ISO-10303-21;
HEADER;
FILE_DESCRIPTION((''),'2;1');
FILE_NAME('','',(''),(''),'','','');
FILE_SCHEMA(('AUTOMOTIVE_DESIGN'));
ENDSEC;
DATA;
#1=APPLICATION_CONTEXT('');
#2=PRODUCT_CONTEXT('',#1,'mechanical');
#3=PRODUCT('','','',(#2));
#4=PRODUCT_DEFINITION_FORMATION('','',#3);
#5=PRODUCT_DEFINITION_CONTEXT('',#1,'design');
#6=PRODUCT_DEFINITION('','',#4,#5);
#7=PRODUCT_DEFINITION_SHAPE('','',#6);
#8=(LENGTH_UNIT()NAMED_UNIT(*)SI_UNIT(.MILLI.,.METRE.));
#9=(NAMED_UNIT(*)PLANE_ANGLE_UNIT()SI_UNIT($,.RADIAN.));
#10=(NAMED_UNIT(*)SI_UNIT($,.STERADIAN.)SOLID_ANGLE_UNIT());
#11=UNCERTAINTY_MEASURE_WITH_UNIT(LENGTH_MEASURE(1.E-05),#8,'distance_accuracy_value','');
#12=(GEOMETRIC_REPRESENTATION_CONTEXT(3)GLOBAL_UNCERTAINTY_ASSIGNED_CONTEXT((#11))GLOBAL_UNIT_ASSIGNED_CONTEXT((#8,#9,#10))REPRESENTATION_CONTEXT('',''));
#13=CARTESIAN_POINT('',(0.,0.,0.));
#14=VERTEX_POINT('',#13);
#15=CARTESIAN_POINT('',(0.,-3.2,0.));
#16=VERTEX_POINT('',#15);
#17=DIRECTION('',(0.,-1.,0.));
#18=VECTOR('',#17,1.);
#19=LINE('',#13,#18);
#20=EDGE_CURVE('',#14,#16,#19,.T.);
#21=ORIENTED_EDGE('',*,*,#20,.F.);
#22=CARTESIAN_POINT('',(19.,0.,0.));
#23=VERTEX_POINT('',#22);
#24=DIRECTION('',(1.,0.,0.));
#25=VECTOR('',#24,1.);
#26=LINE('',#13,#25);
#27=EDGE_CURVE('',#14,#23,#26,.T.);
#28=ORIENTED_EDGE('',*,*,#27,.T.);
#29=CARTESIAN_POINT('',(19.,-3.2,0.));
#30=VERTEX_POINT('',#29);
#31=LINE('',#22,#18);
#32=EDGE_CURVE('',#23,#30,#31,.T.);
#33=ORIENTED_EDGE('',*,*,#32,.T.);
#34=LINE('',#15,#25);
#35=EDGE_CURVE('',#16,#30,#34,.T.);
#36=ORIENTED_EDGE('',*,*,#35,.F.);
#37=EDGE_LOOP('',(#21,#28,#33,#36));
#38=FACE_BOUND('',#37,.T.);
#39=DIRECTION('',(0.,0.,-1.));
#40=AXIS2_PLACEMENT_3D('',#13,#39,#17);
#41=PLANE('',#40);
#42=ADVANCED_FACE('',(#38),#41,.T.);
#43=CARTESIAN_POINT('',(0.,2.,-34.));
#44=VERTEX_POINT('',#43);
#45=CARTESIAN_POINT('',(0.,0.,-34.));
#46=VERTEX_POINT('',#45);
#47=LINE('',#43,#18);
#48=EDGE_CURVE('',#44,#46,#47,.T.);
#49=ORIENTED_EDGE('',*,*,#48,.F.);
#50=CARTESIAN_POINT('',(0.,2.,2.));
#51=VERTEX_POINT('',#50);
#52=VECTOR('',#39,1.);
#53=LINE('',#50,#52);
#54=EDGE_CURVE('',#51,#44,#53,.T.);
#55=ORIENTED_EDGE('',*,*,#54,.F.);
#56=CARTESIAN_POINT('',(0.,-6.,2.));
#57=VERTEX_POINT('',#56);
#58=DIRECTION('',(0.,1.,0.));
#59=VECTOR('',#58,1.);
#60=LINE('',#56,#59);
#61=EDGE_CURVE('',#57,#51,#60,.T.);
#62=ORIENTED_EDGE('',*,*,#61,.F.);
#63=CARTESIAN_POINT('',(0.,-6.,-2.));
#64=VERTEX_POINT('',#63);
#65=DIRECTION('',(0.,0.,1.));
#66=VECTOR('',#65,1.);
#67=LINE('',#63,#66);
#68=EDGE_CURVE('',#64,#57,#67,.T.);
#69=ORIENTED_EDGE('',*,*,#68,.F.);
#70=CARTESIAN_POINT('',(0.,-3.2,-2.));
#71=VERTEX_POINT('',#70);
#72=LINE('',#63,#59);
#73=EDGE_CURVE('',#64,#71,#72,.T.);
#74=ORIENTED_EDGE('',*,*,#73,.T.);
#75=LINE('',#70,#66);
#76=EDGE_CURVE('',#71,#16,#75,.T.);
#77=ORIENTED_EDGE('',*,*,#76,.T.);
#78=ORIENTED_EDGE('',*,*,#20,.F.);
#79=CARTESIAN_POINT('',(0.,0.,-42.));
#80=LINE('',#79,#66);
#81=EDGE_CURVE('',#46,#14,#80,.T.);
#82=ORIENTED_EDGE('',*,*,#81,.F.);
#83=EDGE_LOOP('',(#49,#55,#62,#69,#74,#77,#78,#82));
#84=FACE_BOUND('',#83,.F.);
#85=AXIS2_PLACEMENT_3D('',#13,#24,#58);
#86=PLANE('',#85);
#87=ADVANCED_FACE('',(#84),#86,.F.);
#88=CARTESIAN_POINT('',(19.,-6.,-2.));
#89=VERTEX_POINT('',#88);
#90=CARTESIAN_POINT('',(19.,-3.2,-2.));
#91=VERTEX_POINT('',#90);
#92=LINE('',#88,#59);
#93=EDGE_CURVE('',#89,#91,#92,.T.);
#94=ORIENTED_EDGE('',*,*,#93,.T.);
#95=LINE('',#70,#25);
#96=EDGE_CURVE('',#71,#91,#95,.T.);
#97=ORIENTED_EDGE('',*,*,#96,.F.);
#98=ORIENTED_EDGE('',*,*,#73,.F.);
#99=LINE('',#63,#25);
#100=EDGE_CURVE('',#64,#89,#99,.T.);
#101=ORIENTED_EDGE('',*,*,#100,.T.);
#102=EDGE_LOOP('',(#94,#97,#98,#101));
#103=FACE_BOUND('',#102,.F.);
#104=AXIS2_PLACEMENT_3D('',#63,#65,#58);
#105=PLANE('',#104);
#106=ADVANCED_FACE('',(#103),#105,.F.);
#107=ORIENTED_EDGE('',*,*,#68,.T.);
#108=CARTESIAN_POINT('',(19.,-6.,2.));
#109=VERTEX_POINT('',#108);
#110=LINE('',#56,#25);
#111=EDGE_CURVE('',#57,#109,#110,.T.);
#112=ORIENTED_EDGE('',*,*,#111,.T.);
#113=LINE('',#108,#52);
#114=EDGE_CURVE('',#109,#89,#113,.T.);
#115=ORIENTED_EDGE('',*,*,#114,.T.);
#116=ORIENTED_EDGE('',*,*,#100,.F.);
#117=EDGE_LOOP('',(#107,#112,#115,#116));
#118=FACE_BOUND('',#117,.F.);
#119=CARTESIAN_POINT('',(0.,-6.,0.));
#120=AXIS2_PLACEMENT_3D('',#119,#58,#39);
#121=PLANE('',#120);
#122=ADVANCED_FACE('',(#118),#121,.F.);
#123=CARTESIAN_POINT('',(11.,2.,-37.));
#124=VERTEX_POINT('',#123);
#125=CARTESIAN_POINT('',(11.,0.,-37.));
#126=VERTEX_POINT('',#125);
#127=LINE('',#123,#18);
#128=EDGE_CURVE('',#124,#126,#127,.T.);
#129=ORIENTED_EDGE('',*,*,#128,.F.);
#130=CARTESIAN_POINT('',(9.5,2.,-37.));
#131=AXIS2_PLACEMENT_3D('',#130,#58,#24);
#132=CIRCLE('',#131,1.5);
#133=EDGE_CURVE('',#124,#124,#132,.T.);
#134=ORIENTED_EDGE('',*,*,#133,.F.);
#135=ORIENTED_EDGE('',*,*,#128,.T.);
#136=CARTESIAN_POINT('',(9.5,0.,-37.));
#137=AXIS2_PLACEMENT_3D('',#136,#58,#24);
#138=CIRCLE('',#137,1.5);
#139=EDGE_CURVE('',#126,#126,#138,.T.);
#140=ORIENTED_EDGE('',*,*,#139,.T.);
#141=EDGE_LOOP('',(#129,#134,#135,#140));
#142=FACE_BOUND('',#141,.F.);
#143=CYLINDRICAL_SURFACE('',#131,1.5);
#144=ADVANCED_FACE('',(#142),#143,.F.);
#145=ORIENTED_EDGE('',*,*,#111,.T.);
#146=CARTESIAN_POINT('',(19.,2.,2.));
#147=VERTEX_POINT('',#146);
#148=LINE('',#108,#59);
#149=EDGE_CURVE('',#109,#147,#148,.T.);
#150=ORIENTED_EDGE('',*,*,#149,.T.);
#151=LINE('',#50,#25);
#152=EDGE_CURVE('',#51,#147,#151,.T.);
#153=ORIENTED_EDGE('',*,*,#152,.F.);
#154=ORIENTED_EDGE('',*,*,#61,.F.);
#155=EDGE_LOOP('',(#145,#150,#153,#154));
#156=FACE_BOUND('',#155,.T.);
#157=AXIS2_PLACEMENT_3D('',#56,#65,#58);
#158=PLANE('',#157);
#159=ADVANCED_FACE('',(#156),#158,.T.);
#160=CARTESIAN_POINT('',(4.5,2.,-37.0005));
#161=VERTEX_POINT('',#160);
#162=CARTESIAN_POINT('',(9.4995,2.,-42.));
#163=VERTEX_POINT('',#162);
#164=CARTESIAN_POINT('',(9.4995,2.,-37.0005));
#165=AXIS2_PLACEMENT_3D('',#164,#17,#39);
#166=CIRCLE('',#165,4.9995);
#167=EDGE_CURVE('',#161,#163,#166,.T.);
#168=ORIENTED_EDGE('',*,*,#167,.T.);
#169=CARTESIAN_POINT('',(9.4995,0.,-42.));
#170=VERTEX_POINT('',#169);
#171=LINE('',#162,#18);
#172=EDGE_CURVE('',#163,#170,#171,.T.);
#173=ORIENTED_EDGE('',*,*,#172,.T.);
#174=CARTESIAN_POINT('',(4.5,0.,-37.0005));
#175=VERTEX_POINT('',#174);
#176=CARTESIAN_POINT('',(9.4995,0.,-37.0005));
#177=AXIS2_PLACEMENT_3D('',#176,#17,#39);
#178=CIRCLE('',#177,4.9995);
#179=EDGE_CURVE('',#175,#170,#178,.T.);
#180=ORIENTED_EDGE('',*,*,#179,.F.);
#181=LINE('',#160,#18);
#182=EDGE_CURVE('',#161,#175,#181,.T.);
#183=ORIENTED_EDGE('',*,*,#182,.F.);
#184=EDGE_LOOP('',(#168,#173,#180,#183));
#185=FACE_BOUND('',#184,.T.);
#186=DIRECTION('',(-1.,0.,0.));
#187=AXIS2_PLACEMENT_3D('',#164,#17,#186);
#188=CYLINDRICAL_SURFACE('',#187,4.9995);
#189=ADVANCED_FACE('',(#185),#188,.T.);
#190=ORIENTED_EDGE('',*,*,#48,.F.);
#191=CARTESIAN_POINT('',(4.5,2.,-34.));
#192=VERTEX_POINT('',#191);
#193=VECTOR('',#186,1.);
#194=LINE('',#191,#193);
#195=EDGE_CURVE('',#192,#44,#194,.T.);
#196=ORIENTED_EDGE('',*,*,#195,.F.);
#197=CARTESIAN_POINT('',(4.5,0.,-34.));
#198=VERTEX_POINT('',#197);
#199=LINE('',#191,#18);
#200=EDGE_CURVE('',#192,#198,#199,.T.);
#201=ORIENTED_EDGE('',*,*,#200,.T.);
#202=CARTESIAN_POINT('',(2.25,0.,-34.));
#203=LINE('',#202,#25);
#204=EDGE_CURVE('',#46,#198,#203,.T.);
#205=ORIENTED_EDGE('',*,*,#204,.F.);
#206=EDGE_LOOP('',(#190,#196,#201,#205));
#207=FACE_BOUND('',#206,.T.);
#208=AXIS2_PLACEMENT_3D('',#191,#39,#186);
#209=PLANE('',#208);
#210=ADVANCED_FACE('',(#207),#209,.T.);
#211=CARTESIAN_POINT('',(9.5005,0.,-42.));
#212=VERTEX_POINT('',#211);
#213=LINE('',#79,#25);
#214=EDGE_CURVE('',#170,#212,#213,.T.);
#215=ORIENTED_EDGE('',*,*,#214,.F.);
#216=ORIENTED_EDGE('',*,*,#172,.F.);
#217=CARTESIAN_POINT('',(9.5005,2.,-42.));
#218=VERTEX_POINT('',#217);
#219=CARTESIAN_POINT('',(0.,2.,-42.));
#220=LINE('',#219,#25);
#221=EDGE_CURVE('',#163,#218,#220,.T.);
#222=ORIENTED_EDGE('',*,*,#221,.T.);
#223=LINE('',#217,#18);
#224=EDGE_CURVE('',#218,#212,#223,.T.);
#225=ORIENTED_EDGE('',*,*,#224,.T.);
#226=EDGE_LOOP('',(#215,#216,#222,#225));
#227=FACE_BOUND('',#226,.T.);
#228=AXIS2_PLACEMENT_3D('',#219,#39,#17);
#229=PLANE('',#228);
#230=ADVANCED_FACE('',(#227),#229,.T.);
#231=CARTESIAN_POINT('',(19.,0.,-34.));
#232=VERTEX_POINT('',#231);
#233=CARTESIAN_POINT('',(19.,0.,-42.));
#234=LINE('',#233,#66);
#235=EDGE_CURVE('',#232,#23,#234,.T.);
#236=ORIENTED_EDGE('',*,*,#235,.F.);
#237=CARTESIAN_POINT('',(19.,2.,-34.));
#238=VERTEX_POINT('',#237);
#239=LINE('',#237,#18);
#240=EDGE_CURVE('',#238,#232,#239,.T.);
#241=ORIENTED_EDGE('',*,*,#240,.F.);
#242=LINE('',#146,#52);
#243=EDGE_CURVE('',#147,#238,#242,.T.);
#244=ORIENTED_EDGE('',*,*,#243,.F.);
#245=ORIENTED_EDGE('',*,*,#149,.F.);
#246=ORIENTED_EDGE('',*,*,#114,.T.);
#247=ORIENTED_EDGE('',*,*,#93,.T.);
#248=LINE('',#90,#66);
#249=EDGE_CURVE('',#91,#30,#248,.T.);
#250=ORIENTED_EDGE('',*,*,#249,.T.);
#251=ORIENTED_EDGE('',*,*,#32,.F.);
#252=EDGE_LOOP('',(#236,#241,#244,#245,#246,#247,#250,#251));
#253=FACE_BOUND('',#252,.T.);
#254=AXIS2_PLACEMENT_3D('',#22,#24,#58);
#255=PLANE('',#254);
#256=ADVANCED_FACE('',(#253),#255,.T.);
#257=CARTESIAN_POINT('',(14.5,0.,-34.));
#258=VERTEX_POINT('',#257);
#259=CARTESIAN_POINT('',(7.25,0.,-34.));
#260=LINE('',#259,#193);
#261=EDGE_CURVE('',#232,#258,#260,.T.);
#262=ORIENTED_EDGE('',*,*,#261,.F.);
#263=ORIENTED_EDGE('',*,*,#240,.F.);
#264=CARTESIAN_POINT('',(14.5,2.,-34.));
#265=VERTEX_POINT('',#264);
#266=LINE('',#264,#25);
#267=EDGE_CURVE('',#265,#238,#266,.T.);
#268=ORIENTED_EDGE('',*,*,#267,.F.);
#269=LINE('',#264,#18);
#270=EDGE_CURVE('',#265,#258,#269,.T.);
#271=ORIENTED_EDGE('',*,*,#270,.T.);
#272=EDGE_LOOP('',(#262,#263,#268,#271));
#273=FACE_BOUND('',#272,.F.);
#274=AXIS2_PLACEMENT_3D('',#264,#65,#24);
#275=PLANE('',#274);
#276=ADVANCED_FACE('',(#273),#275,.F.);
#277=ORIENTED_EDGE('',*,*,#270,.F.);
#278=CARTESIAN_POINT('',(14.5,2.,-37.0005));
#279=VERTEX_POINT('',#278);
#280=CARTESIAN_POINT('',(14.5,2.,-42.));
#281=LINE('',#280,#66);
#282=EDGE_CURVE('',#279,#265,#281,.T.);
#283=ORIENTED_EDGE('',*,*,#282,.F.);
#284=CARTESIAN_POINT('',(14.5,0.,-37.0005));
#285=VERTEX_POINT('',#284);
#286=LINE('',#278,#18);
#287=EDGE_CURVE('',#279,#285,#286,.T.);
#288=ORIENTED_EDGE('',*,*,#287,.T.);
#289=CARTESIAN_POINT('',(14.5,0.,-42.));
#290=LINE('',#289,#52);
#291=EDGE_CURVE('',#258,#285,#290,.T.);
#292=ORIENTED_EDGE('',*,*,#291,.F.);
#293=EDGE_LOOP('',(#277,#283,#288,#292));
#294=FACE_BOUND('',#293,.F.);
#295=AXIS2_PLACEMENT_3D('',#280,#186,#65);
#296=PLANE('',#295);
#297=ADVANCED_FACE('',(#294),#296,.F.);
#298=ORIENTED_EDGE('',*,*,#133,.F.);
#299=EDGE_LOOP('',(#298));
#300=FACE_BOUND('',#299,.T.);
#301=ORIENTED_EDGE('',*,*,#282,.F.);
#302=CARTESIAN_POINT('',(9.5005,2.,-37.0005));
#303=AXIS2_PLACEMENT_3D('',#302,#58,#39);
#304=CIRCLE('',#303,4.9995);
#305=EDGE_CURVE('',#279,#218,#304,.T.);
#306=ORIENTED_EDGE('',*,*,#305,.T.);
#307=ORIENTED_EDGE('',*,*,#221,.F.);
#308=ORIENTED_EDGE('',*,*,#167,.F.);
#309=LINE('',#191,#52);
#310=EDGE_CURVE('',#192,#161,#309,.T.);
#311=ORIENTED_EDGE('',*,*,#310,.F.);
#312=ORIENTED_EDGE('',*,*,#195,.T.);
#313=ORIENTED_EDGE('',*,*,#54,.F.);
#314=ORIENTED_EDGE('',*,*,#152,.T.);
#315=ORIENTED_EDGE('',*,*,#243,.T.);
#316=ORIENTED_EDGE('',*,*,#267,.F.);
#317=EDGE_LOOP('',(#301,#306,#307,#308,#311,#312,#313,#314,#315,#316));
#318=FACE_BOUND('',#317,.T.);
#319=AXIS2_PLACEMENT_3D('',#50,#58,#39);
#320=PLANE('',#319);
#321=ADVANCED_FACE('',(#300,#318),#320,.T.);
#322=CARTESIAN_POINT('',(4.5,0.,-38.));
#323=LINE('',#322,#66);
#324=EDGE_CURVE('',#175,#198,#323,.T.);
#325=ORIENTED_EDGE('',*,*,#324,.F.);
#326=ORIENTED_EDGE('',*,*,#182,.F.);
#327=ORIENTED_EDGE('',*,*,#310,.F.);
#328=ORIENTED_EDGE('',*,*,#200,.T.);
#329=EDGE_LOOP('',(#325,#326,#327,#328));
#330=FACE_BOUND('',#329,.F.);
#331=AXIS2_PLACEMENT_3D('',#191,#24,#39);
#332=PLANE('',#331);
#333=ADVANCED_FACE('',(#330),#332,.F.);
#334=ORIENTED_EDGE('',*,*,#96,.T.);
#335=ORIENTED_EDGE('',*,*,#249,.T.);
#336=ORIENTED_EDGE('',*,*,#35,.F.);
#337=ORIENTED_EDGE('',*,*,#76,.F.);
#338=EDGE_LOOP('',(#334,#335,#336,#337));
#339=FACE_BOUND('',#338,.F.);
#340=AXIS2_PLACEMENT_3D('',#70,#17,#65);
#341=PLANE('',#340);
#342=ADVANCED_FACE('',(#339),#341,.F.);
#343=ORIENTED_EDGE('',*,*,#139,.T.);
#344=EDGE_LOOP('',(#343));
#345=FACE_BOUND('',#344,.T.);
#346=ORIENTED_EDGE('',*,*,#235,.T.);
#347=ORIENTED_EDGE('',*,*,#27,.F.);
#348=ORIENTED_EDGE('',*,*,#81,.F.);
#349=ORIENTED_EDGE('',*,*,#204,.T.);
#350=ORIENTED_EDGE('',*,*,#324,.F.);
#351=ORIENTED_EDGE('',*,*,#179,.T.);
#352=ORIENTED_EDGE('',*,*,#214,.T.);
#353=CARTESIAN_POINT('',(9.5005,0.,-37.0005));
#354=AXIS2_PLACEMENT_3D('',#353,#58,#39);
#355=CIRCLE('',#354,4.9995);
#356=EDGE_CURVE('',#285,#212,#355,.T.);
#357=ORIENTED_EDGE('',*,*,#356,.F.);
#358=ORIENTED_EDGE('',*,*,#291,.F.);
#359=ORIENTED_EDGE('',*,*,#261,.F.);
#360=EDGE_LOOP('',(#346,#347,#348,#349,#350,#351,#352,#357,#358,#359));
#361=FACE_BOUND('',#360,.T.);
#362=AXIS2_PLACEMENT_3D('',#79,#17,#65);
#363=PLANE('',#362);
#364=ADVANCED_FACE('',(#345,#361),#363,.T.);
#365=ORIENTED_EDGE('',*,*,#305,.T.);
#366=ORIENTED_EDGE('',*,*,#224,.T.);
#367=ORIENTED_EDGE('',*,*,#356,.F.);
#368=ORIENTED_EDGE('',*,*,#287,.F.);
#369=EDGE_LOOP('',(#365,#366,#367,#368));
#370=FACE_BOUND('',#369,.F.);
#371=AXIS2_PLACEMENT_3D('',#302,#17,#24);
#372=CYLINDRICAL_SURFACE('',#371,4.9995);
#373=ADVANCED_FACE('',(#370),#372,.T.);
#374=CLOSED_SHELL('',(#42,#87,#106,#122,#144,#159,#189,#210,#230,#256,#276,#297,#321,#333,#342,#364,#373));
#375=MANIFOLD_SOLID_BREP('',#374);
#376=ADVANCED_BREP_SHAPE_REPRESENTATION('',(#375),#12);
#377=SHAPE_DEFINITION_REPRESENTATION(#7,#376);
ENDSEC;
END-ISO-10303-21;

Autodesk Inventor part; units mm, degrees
ref_plane "YZ Plane" through (0, 0, 0) normal (1, 0, 0) x (0, 1, 0)
ref_plane "XZ Plane" through (0, 0, 0) normal (0, 1, 0) x (-1, 0, 0)
ref_plane "XY Plane" through (0, 0, 0) normal (0, 0, 1) x (1, 0, 0)
sketch "Esboço1" plane through (0, 0, 0) normal (1, 0, 0) x (0, 1, 0)
  line L0 (0, 0) -> (-3.2, 0)
  line L1 (-6, 0) -> (-6, 2)
  line L2 (-6, 2) -> (2, 2)
  line L3 (2, 2) -> (2, -42)
  line L4 (2, -42) -> (0, -42)
  line L5 (0, -42) -> (0, 0)
  line L6 (-6, 0) -> (-6, -2)
  line L7 (-6, -2) -> (-3.2, -2)
  line L8 (-3.2, -2) -> (-3.2, 0)
  dimension "d0" = 6
  dimension "d1" = 2
  dimension "d2" = 8
  dimension "d3" = 44
  dimension "d4" = 2
  dimension "d5" = 2.8
extrude "Extrusão1" add sketch "Esboço1" along normal blind 19
sketch "Esboço2" plane through (0, 2, 2) normal (0, 1, 0) x (1, 0, 0)
  line L0 (0, 44) -> (19, 44) projected
  line L1 (14.5, 44) -> (14.5, 36)
  line L2 (4.5, 36) -> (4.5, 44)
  line L3 (0, 44) -> (0, 0) projected
  line L4 (4.5, 36) -> (0, 36)
  line L5 (0, 36) -> (0, 44)
  line L6 (0, 44) -> (4.5, 44)
  line L7 (4.5, 44) -> (4.5, 36)
  line L8 (19, 44) -> (19, 0) projected
  line L9 (14.5, 36) -> (19, 36)
  line L10 (19, 36) -> (19, 44)
  line L11 (19, 44) -> (14.5, 44)
  line L12 (14.5, 44) -> (14.5, 36)
  point P0 (0, 2)
  point P1 (0, 36)
extrude "Extrusão2" cut sketch "Esboço2" against normal blind 19
fillet "Arredondamento1" radius 5 2 edges at (14.5, 1, -42) (4.5, 1, -42)
sketch "Esboço3" plane through (0, 2, 2) normal (0, 1, 0) x (1, 0, 0)
  circle A0 centre (9.5, 39) radius 1.5
  line L0 (14.5, 36) -> (14.5, 39) projected
  arc A1 (14.5, 39) -> (4.5, 39) centre (9.5, 39) ccw projected
  point P0 (0, 2)
  dimension "d14" = 3
  dimension "d15" = 5
  dimension "d16" = 0
extrude "Extrusão3" cut sketch "Esboço3" against normal blind 19
properties part number "tampa hc12"
